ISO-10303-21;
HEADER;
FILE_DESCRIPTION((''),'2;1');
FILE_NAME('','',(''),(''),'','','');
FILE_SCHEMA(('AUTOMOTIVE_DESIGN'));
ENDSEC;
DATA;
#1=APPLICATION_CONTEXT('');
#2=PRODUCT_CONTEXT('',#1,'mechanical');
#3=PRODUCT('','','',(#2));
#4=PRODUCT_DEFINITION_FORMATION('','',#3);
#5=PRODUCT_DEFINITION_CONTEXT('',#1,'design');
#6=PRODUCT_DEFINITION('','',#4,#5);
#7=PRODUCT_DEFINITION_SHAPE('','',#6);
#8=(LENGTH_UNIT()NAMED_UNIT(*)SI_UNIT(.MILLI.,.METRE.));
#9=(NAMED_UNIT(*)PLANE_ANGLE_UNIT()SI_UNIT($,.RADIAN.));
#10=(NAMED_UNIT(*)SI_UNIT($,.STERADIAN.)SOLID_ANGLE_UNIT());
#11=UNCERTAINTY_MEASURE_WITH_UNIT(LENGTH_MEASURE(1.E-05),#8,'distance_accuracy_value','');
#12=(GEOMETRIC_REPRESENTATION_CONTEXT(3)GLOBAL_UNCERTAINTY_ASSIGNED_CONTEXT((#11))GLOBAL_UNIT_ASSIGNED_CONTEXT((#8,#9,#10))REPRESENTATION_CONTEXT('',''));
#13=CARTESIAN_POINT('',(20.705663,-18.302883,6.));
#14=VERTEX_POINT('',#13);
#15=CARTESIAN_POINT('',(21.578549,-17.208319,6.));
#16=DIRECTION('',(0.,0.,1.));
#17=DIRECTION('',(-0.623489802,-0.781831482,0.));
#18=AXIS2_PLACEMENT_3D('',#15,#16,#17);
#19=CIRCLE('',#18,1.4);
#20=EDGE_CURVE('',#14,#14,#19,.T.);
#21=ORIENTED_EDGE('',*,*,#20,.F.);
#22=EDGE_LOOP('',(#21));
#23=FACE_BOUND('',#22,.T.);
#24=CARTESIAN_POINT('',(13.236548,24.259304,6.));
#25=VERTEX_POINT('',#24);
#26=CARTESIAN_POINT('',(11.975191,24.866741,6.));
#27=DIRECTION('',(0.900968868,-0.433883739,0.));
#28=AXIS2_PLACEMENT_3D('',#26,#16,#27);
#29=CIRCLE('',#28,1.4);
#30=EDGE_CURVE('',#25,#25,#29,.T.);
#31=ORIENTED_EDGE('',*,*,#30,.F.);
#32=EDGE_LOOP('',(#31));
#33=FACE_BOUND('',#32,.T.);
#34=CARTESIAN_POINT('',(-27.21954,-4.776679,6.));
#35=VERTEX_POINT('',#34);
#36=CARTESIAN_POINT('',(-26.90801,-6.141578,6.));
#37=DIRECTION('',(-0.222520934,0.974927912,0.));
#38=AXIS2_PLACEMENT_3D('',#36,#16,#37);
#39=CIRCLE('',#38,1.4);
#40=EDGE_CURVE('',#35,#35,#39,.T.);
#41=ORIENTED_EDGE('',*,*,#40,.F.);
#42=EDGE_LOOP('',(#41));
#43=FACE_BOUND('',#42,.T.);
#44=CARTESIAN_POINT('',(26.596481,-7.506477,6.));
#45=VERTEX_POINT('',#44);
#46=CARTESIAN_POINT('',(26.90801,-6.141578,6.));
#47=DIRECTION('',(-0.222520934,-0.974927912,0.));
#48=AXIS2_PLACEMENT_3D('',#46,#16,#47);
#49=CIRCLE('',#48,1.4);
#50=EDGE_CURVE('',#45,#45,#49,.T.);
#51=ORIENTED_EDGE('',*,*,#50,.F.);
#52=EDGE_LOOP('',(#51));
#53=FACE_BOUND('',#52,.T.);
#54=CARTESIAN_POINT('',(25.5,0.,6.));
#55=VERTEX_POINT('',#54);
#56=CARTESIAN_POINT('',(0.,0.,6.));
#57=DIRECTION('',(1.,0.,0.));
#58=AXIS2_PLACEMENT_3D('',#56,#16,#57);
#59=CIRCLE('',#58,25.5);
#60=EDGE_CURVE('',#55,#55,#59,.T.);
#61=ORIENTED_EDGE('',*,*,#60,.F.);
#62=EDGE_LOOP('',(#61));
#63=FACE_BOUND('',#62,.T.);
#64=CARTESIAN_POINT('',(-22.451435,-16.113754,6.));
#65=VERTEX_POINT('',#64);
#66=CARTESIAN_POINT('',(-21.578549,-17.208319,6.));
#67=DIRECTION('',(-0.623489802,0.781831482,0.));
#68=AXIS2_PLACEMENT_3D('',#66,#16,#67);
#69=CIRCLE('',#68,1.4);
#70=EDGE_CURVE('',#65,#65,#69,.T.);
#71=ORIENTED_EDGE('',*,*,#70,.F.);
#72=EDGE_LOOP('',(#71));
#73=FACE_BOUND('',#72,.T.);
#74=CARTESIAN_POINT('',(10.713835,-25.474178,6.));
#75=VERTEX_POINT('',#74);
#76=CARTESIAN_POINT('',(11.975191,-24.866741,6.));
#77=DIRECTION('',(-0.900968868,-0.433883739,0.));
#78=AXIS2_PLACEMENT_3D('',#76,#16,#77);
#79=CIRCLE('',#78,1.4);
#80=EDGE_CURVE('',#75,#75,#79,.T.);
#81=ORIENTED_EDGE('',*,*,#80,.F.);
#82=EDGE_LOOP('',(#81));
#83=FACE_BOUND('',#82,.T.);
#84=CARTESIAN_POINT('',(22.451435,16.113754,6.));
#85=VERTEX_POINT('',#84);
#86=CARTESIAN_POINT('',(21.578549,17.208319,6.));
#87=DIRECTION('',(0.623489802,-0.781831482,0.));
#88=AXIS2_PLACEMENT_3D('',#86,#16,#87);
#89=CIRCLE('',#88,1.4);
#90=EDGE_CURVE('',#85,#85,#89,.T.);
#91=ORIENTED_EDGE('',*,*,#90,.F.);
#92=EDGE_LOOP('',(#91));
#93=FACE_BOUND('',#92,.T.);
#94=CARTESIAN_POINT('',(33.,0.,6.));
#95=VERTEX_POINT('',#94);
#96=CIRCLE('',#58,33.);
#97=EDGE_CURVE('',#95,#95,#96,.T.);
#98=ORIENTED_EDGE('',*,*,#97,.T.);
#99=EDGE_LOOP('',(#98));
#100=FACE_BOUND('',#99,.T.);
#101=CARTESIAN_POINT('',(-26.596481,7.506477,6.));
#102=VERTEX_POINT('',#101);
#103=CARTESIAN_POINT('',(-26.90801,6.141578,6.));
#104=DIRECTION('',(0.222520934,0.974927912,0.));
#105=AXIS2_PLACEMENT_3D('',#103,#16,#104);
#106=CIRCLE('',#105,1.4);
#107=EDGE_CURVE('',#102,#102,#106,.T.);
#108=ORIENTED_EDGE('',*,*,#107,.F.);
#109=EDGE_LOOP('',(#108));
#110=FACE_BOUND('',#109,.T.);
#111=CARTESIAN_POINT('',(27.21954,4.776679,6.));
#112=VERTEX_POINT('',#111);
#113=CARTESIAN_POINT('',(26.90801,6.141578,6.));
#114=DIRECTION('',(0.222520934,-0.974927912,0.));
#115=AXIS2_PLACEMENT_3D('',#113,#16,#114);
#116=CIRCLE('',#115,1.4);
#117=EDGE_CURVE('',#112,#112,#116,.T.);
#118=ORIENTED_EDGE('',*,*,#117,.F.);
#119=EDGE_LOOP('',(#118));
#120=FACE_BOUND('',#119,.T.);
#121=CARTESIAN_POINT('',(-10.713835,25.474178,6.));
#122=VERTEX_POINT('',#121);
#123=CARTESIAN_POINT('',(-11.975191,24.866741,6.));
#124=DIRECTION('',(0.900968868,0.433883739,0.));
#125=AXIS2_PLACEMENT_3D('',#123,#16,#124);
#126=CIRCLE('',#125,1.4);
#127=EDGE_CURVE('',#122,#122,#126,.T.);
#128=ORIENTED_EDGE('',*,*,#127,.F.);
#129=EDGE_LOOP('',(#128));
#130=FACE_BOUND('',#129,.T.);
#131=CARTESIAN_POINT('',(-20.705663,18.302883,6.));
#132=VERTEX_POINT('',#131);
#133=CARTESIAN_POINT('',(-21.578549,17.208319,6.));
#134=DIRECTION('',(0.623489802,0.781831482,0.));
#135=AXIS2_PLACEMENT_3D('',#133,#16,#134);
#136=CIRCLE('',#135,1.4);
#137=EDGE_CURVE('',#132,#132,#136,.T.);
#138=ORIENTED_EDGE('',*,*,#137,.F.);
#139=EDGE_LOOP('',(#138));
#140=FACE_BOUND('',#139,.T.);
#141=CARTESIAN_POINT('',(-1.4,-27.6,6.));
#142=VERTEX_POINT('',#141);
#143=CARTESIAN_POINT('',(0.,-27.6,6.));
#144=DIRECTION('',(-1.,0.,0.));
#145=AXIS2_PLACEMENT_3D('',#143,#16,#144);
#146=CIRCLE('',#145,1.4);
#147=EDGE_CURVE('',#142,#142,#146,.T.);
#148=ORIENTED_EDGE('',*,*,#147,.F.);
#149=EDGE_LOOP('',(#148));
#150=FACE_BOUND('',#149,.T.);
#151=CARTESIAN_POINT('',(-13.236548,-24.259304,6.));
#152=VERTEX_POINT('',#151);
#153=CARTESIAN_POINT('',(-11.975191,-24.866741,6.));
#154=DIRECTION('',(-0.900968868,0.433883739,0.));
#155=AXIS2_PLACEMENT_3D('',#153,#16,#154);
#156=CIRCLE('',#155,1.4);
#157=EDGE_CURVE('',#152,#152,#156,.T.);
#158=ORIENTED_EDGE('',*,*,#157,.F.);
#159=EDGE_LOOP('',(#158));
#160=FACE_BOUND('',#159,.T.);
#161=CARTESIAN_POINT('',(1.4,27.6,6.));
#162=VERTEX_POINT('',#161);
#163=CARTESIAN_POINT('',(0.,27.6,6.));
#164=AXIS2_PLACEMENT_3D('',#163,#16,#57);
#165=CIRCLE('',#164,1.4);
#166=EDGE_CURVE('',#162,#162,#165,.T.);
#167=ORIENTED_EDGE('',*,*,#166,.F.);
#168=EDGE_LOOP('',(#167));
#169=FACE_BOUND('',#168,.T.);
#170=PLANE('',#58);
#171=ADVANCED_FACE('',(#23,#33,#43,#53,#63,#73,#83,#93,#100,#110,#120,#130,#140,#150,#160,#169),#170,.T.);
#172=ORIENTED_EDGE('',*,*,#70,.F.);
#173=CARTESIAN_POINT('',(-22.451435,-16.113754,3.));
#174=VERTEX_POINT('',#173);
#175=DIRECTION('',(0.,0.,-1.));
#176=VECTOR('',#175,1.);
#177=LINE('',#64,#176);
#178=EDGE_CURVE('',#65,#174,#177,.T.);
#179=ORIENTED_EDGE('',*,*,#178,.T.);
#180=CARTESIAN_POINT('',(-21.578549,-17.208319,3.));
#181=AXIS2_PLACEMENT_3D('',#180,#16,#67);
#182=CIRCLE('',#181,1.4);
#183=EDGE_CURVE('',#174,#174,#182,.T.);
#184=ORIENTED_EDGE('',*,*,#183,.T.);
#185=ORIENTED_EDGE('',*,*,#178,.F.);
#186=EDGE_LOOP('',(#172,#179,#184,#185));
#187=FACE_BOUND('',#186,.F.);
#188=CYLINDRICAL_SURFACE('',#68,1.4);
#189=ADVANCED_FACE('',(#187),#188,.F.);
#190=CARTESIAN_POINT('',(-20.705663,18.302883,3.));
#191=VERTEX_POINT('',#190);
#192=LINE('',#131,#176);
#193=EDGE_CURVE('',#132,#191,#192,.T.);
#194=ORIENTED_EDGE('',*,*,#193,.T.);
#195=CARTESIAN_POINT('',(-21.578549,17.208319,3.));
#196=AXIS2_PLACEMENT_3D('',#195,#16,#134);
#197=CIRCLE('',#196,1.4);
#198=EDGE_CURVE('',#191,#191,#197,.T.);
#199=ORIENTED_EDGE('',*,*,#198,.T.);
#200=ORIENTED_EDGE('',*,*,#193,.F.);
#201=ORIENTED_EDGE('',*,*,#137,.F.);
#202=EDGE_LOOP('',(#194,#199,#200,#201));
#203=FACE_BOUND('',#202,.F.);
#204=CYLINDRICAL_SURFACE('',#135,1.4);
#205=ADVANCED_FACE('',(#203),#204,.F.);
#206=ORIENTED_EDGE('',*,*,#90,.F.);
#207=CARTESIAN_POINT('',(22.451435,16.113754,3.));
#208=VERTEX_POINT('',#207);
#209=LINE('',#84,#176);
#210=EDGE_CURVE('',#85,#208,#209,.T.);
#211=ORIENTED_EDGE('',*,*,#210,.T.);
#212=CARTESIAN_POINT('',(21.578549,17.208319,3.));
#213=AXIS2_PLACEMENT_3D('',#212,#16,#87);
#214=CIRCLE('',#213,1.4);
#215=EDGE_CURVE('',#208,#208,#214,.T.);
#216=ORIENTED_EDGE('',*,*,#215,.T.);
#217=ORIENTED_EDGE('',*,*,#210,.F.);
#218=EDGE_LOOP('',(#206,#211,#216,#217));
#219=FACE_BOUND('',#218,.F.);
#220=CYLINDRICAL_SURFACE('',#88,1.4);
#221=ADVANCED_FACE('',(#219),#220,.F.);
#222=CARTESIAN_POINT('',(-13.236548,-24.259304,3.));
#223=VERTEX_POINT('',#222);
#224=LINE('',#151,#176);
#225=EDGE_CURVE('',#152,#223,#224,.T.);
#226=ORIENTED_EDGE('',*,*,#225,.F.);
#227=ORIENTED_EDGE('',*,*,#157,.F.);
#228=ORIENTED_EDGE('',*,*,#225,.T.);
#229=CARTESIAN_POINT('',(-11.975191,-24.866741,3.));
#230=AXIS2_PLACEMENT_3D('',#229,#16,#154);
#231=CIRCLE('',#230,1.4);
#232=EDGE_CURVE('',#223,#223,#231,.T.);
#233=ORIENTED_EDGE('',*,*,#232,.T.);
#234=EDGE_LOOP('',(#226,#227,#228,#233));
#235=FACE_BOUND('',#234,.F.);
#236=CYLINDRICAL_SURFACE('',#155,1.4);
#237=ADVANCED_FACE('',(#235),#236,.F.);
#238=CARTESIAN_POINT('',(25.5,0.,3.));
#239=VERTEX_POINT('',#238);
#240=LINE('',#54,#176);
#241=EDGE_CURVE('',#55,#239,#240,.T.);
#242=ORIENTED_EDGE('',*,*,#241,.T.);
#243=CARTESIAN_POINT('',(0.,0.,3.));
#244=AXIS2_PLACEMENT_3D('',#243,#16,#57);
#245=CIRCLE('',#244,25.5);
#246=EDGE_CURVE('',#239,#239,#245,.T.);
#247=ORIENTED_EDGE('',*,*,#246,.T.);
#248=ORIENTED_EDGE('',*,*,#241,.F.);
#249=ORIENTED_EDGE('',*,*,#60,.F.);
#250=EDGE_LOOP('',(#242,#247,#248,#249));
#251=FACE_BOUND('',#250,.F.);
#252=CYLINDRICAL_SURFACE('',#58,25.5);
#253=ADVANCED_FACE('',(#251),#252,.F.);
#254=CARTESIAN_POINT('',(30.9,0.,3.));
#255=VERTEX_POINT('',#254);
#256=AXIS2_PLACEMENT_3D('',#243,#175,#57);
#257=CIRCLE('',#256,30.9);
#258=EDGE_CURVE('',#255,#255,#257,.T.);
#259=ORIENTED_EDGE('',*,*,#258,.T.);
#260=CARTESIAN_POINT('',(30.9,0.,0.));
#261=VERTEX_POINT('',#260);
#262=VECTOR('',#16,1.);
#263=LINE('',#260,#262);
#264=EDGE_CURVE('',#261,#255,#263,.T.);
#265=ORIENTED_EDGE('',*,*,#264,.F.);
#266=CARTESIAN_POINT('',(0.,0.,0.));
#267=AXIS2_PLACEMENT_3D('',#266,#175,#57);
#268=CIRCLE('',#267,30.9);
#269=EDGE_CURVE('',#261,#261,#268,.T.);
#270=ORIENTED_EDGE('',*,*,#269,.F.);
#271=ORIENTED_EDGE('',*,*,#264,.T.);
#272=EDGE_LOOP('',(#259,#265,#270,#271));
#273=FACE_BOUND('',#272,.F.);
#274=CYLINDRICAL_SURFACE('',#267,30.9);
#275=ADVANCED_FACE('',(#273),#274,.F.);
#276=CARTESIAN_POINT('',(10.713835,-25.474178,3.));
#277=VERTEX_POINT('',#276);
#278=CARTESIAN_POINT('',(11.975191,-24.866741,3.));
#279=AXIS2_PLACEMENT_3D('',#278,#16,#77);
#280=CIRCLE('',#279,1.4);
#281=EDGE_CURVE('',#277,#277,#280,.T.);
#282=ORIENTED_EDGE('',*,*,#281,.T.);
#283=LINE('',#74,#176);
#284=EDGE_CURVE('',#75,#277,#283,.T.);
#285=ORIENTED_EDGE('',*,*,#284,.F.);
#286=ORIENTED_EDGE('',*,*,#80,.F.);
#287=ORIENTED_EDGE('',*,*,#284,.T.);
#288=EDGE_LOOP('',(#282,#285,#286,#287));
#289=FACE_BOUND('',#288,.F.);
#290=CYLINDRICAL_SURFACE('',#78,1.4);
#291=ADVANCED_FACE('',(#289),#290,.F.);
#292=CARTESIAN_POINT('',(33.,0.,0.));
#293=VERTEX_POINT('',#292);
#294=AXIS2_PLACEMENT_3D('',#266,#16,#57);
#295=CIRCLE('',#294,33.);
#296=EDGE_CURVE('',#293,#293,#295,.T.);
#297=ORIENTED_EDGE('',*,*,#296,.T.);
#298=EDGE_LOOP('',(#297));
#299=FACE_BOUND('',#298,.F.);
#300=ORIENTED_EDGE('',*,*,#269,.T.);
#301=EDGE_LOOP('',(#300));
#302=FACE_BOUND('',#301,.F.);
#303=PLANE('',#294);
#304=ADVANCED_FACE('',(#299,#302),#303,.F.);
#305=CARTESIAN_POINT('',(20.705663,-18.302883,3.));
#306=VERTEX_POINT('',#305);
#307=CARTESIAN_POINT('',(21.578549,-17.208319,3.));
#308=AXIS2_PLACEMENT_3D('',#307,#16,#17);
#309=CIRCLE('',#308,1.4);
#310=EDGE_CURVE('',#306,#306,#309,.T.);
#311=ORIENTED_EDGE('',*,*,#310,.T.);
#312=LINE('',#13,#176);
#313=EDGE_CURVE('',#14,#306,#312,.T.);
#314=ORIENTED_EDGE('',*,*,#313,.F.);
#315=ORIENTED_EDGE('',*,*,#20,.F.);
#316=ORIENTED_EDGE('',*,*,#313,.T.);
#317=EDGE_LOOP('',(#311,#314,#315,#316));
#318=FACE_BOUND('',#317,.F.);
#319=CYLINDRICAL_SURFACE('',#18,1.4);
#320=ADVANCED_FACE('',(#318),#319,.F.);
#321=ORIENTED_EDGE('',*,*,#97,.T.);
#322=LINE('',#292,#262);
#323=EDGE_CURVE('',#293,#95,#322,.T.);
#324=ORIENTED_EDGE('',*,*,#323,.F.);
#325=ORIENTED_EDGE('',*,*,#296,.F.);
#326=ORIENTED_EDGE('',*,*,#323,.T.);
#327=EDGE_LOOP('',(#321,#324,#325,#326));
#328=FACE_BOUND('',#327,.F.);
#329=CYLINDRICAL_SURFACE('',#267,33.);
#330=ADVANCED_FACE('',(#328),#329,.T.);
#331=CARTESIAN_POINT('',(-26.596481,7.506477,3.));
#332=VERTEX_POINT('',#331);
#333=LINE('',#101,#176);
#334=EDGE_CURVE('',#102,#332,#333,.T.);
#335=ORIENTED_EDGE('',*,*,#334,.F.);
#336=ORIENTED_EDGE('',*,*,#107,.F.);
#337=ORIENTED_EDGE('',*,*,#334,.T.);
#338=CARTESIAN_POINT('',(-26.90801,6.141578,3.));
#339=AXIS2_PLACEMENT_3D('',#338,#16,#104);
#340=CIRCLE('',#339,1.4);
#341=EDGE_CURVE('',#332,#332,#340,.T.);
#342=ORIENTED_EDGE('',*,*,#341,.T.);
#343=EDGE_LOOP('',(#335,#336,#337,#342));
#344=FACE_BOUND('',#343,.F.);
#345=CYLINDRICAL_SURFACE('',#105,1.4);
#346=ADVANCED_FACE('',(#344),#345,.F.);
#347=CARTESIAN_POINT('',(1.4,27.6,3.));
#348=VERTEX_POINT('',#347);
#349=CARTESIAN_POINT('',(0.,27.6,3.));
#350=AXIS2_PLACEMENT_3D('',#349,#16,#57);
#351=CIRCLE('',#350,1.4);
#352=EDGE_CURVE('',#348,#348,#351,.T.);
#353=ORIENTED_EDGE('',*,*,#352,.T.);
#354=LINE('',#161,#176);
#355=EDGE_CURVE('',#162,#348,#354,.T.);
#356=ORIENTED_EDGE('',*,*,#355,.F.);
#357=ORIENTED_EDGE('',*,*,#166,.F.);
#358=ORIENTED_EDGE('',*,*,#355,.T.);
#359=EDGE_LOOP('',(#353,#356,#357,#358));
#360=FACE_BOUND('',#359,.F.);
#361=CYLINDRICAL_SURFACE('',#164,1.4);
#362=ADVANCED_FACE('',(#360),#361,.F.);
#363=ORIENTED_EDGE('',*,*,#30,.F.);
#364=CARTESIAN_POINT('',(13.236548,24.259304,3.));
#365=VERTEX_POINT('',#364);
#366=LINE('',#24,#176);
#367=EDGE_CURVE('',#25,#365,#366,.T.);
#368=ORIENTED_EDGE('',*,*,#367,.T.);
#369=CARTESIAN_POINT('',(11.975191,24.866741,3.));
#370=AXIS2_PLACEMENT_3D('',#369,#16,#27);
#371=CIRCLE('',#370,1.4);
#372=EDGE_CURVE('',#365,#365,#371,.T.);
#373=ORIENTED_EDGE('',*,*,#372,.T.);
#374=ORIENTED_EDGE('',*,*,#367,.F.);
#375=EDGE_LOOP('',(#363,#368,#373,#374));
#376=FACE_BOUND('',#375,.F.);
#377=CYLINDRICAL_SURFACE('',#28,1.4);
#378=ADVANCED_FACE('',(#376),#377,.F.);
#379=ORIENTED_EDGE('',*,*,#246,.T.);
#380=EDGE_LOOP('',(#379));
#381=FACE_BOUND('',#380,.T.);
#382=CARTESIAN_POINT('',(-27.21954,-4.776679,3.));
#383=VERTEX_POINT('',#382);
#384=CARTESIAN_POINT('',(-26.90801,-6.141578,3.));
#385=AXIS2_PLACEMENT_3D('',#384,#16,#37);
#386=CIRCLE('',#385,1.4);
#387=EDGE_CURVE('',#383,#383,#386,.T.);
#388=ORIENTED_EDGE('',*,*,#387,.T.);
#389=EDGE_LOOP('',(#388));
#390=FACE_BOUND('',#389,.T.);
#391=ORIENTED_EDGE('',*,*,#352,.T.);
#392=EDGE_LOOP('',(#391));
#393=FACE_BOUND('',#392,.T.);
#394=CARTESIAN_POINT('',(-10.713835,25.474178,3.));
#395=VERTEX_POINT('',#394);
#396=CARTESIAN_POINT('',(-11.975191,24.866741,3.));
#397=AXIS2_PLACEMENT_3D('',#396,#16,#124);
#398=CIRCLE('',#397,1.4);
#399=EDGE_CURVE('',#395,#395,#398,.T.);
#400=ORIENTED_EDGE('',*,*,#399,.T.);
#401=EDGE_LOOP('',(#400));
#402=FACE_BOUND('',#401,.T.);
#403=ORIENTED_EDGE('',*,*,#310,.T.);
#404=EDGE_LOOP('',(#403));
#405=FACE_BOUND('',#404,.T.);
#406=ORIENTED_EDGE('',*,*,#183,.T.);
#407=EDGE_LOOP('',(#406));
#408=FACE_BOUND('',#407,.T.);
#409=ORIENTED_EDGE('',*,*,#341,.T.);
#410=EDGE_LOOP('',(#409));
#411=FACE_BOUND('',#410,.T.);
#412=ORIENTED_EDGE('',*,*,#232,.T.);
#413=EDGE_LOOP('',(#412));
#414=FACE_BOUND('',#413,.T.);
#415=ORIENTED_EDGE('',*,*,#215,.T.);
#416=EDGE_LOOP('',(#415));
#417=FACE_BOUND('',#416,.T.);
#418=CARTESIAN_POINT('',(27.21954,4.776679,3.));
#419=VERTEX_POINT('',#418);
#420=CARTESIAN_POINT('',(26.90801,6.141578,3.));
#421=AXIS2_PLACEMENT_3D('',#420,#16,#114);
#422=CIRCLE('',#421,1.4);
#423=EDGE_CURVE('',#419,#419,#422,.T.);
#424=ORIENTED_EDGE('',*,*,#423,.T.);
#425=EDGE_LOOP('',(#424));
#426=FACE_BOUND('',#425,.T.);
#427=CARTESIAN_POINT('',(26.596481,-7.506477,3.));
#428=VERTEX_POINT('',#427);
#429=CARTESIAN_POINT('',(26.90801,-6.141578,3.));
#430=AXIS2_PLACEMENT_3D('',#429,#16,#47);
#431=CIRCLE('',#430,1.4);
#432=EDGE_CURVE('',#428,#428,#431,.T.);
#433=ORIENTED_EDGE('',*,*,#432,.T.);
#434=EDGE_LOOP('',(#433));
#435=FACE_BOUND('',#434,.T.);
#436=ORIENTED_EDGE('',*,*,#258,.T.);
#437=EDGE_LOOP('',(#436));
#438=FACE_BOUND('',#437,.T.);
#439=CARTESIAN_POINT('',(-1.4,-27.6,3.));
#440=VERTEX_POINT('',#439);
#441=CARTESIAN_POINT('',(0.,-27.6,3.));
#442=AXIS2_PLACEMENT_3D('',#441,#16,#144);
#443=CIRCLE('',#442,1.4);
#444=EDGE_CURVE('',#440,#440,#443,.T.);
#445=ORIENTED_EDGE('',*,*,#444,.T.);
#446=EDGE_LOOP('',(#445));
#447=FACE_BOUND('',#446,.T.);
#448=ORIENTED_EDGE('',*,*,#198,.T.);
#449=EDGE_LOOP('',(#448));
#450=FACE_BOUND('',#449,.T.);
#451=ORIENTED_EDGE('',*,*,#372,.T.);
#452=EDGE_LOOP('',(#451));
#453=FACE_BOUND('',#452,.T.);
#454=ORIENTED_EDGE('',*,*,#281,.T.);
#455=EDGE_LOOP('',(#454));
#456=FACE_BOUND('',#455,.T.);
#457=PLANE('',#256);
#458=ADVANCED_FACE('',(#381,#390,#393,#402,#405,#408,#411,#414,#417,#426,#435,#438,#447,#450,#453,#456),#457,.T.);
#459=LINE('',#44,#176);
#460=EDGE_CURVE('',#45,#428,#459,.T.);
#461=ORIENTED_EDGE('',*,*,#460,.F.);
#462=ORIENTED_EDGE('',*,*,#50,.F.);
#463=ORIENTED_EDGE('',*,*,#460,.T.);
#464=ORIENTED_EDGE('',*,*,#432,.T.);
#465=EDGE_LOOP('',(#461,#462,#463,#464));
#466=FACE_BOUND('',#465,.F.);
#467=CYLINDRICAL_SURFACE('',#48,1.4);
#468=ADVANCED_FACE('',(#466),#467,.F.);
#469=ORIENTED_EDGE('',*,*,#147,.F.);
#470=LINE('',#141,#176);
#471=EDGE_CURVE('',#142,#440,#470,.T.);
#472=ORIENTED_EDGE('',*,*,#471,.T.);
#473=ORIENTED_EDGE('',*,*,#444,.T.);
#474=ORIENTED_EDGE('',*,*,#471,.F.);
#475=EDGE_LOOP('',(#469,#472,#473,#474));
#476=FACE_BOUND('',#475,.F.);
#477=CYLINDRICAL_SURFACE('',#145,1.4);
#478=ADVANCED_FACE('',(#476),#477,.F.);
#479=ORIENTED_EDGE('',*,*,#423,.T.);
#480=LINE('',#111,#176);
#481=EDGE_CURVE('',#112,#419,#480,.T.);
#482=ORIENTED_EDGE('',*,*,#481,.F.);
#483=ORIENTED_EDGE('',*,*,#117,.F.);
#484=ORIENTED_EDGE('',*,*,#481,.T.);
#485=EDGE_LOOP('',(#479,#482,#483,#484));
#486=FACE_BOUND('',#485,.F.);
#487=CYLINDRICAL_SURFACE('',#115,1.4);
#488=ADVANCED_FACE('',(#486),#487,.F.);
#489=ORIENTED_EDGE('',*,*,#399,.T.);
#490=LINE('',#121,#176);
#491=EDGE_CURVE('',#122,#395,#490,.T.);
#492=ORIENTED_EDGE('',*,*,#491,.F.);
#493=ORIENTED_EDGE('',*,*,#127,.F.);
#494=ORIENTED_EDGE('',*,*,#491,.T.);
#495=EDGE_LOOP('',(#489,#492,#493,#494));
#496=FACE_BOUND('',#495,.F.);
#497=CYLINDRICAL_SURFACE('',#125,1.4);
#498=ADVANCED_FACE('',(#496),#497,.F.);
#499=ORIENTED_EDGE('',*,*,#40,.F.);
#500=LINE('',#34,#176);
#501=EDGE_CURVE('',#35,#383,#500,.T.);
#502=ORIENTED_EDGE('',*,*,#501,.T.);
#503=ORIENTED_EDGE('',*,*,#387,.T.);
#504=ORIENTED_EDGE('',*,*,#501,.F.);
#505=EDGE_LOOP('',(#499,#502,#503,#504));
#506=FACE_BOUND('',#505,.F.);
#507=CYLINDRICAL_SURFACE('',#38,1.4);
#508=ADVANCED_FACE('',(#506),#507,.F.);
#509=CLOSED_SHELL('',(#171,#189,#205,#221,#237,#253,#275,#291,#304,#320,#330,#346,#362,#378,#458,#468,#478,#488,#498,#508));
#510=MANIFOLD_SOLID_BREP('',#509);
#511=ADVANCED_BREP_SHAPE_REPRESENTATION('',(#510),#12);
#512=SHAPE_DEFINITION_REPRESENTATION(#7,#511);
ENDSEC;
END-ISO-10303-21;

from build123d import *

# Parameters (mm, degrees)
SKETCH_R           = 33
PAD_DEPTH          = 6
SKETCH001_R        = 25.5
POCKET_DEPTH       = 6.001
SKETCH002_R        = 1.4
POCKET001_DEPTH    = 193.062487
POLARPATTERN_COUNT = 14
SKETCH004_R        = 30.9
POCKET002_DEPTH    = 3


with BuildPart() as part:
    # Sketch → Pad (new body)
    with BuildSketch(Plane.XY):
        Circle(SKETCH_R)
    extrude(amount=PAD_DEPTH)

    # Sketch001 → Pocket (cut, through all)
    with BuildSketch(Plane.XY.offset(6)):
        Circle(SKETCH001_R)
    extrude(amount=-POCKET_DEPTH, mode=Mode.SUBTRACT)

    # Sketch002 → Pocket001 (cut, through all)
    with BuildSketch(Plane.XY.offset(6)):
        with Locations((0, 27.6)):
            Circle(SKETCH002_R)
    pocket001 = extrude(amount=-POCKET001_DEPTH, mode=Mode.SUBTRACT)

    # PolarPattern: Pocket001 ×14 about axis
    polarpattern_axis = Axis((0, 0, 6), (0, 0, 1))
    for i in range(1, POLARPATTERN_COUNT):
        add(pocket001.rotate(polarpattern_axis, i * 360 / POLARPATTERN_COUNT), mode=Mode.SUBTRACT)

    # Sketch004 → Pocket002 (cut)
    with BuildSketch(Plane(origin=(0, 0, 0), x_dir=(1, 0, 0), z_dir=(0, 0, -1))):
        Circle(SKETCH004_R)
    extrude(amount=-POCKET002_DEPTH, mode=Mode.SUBTRACT)


solid = part.part
